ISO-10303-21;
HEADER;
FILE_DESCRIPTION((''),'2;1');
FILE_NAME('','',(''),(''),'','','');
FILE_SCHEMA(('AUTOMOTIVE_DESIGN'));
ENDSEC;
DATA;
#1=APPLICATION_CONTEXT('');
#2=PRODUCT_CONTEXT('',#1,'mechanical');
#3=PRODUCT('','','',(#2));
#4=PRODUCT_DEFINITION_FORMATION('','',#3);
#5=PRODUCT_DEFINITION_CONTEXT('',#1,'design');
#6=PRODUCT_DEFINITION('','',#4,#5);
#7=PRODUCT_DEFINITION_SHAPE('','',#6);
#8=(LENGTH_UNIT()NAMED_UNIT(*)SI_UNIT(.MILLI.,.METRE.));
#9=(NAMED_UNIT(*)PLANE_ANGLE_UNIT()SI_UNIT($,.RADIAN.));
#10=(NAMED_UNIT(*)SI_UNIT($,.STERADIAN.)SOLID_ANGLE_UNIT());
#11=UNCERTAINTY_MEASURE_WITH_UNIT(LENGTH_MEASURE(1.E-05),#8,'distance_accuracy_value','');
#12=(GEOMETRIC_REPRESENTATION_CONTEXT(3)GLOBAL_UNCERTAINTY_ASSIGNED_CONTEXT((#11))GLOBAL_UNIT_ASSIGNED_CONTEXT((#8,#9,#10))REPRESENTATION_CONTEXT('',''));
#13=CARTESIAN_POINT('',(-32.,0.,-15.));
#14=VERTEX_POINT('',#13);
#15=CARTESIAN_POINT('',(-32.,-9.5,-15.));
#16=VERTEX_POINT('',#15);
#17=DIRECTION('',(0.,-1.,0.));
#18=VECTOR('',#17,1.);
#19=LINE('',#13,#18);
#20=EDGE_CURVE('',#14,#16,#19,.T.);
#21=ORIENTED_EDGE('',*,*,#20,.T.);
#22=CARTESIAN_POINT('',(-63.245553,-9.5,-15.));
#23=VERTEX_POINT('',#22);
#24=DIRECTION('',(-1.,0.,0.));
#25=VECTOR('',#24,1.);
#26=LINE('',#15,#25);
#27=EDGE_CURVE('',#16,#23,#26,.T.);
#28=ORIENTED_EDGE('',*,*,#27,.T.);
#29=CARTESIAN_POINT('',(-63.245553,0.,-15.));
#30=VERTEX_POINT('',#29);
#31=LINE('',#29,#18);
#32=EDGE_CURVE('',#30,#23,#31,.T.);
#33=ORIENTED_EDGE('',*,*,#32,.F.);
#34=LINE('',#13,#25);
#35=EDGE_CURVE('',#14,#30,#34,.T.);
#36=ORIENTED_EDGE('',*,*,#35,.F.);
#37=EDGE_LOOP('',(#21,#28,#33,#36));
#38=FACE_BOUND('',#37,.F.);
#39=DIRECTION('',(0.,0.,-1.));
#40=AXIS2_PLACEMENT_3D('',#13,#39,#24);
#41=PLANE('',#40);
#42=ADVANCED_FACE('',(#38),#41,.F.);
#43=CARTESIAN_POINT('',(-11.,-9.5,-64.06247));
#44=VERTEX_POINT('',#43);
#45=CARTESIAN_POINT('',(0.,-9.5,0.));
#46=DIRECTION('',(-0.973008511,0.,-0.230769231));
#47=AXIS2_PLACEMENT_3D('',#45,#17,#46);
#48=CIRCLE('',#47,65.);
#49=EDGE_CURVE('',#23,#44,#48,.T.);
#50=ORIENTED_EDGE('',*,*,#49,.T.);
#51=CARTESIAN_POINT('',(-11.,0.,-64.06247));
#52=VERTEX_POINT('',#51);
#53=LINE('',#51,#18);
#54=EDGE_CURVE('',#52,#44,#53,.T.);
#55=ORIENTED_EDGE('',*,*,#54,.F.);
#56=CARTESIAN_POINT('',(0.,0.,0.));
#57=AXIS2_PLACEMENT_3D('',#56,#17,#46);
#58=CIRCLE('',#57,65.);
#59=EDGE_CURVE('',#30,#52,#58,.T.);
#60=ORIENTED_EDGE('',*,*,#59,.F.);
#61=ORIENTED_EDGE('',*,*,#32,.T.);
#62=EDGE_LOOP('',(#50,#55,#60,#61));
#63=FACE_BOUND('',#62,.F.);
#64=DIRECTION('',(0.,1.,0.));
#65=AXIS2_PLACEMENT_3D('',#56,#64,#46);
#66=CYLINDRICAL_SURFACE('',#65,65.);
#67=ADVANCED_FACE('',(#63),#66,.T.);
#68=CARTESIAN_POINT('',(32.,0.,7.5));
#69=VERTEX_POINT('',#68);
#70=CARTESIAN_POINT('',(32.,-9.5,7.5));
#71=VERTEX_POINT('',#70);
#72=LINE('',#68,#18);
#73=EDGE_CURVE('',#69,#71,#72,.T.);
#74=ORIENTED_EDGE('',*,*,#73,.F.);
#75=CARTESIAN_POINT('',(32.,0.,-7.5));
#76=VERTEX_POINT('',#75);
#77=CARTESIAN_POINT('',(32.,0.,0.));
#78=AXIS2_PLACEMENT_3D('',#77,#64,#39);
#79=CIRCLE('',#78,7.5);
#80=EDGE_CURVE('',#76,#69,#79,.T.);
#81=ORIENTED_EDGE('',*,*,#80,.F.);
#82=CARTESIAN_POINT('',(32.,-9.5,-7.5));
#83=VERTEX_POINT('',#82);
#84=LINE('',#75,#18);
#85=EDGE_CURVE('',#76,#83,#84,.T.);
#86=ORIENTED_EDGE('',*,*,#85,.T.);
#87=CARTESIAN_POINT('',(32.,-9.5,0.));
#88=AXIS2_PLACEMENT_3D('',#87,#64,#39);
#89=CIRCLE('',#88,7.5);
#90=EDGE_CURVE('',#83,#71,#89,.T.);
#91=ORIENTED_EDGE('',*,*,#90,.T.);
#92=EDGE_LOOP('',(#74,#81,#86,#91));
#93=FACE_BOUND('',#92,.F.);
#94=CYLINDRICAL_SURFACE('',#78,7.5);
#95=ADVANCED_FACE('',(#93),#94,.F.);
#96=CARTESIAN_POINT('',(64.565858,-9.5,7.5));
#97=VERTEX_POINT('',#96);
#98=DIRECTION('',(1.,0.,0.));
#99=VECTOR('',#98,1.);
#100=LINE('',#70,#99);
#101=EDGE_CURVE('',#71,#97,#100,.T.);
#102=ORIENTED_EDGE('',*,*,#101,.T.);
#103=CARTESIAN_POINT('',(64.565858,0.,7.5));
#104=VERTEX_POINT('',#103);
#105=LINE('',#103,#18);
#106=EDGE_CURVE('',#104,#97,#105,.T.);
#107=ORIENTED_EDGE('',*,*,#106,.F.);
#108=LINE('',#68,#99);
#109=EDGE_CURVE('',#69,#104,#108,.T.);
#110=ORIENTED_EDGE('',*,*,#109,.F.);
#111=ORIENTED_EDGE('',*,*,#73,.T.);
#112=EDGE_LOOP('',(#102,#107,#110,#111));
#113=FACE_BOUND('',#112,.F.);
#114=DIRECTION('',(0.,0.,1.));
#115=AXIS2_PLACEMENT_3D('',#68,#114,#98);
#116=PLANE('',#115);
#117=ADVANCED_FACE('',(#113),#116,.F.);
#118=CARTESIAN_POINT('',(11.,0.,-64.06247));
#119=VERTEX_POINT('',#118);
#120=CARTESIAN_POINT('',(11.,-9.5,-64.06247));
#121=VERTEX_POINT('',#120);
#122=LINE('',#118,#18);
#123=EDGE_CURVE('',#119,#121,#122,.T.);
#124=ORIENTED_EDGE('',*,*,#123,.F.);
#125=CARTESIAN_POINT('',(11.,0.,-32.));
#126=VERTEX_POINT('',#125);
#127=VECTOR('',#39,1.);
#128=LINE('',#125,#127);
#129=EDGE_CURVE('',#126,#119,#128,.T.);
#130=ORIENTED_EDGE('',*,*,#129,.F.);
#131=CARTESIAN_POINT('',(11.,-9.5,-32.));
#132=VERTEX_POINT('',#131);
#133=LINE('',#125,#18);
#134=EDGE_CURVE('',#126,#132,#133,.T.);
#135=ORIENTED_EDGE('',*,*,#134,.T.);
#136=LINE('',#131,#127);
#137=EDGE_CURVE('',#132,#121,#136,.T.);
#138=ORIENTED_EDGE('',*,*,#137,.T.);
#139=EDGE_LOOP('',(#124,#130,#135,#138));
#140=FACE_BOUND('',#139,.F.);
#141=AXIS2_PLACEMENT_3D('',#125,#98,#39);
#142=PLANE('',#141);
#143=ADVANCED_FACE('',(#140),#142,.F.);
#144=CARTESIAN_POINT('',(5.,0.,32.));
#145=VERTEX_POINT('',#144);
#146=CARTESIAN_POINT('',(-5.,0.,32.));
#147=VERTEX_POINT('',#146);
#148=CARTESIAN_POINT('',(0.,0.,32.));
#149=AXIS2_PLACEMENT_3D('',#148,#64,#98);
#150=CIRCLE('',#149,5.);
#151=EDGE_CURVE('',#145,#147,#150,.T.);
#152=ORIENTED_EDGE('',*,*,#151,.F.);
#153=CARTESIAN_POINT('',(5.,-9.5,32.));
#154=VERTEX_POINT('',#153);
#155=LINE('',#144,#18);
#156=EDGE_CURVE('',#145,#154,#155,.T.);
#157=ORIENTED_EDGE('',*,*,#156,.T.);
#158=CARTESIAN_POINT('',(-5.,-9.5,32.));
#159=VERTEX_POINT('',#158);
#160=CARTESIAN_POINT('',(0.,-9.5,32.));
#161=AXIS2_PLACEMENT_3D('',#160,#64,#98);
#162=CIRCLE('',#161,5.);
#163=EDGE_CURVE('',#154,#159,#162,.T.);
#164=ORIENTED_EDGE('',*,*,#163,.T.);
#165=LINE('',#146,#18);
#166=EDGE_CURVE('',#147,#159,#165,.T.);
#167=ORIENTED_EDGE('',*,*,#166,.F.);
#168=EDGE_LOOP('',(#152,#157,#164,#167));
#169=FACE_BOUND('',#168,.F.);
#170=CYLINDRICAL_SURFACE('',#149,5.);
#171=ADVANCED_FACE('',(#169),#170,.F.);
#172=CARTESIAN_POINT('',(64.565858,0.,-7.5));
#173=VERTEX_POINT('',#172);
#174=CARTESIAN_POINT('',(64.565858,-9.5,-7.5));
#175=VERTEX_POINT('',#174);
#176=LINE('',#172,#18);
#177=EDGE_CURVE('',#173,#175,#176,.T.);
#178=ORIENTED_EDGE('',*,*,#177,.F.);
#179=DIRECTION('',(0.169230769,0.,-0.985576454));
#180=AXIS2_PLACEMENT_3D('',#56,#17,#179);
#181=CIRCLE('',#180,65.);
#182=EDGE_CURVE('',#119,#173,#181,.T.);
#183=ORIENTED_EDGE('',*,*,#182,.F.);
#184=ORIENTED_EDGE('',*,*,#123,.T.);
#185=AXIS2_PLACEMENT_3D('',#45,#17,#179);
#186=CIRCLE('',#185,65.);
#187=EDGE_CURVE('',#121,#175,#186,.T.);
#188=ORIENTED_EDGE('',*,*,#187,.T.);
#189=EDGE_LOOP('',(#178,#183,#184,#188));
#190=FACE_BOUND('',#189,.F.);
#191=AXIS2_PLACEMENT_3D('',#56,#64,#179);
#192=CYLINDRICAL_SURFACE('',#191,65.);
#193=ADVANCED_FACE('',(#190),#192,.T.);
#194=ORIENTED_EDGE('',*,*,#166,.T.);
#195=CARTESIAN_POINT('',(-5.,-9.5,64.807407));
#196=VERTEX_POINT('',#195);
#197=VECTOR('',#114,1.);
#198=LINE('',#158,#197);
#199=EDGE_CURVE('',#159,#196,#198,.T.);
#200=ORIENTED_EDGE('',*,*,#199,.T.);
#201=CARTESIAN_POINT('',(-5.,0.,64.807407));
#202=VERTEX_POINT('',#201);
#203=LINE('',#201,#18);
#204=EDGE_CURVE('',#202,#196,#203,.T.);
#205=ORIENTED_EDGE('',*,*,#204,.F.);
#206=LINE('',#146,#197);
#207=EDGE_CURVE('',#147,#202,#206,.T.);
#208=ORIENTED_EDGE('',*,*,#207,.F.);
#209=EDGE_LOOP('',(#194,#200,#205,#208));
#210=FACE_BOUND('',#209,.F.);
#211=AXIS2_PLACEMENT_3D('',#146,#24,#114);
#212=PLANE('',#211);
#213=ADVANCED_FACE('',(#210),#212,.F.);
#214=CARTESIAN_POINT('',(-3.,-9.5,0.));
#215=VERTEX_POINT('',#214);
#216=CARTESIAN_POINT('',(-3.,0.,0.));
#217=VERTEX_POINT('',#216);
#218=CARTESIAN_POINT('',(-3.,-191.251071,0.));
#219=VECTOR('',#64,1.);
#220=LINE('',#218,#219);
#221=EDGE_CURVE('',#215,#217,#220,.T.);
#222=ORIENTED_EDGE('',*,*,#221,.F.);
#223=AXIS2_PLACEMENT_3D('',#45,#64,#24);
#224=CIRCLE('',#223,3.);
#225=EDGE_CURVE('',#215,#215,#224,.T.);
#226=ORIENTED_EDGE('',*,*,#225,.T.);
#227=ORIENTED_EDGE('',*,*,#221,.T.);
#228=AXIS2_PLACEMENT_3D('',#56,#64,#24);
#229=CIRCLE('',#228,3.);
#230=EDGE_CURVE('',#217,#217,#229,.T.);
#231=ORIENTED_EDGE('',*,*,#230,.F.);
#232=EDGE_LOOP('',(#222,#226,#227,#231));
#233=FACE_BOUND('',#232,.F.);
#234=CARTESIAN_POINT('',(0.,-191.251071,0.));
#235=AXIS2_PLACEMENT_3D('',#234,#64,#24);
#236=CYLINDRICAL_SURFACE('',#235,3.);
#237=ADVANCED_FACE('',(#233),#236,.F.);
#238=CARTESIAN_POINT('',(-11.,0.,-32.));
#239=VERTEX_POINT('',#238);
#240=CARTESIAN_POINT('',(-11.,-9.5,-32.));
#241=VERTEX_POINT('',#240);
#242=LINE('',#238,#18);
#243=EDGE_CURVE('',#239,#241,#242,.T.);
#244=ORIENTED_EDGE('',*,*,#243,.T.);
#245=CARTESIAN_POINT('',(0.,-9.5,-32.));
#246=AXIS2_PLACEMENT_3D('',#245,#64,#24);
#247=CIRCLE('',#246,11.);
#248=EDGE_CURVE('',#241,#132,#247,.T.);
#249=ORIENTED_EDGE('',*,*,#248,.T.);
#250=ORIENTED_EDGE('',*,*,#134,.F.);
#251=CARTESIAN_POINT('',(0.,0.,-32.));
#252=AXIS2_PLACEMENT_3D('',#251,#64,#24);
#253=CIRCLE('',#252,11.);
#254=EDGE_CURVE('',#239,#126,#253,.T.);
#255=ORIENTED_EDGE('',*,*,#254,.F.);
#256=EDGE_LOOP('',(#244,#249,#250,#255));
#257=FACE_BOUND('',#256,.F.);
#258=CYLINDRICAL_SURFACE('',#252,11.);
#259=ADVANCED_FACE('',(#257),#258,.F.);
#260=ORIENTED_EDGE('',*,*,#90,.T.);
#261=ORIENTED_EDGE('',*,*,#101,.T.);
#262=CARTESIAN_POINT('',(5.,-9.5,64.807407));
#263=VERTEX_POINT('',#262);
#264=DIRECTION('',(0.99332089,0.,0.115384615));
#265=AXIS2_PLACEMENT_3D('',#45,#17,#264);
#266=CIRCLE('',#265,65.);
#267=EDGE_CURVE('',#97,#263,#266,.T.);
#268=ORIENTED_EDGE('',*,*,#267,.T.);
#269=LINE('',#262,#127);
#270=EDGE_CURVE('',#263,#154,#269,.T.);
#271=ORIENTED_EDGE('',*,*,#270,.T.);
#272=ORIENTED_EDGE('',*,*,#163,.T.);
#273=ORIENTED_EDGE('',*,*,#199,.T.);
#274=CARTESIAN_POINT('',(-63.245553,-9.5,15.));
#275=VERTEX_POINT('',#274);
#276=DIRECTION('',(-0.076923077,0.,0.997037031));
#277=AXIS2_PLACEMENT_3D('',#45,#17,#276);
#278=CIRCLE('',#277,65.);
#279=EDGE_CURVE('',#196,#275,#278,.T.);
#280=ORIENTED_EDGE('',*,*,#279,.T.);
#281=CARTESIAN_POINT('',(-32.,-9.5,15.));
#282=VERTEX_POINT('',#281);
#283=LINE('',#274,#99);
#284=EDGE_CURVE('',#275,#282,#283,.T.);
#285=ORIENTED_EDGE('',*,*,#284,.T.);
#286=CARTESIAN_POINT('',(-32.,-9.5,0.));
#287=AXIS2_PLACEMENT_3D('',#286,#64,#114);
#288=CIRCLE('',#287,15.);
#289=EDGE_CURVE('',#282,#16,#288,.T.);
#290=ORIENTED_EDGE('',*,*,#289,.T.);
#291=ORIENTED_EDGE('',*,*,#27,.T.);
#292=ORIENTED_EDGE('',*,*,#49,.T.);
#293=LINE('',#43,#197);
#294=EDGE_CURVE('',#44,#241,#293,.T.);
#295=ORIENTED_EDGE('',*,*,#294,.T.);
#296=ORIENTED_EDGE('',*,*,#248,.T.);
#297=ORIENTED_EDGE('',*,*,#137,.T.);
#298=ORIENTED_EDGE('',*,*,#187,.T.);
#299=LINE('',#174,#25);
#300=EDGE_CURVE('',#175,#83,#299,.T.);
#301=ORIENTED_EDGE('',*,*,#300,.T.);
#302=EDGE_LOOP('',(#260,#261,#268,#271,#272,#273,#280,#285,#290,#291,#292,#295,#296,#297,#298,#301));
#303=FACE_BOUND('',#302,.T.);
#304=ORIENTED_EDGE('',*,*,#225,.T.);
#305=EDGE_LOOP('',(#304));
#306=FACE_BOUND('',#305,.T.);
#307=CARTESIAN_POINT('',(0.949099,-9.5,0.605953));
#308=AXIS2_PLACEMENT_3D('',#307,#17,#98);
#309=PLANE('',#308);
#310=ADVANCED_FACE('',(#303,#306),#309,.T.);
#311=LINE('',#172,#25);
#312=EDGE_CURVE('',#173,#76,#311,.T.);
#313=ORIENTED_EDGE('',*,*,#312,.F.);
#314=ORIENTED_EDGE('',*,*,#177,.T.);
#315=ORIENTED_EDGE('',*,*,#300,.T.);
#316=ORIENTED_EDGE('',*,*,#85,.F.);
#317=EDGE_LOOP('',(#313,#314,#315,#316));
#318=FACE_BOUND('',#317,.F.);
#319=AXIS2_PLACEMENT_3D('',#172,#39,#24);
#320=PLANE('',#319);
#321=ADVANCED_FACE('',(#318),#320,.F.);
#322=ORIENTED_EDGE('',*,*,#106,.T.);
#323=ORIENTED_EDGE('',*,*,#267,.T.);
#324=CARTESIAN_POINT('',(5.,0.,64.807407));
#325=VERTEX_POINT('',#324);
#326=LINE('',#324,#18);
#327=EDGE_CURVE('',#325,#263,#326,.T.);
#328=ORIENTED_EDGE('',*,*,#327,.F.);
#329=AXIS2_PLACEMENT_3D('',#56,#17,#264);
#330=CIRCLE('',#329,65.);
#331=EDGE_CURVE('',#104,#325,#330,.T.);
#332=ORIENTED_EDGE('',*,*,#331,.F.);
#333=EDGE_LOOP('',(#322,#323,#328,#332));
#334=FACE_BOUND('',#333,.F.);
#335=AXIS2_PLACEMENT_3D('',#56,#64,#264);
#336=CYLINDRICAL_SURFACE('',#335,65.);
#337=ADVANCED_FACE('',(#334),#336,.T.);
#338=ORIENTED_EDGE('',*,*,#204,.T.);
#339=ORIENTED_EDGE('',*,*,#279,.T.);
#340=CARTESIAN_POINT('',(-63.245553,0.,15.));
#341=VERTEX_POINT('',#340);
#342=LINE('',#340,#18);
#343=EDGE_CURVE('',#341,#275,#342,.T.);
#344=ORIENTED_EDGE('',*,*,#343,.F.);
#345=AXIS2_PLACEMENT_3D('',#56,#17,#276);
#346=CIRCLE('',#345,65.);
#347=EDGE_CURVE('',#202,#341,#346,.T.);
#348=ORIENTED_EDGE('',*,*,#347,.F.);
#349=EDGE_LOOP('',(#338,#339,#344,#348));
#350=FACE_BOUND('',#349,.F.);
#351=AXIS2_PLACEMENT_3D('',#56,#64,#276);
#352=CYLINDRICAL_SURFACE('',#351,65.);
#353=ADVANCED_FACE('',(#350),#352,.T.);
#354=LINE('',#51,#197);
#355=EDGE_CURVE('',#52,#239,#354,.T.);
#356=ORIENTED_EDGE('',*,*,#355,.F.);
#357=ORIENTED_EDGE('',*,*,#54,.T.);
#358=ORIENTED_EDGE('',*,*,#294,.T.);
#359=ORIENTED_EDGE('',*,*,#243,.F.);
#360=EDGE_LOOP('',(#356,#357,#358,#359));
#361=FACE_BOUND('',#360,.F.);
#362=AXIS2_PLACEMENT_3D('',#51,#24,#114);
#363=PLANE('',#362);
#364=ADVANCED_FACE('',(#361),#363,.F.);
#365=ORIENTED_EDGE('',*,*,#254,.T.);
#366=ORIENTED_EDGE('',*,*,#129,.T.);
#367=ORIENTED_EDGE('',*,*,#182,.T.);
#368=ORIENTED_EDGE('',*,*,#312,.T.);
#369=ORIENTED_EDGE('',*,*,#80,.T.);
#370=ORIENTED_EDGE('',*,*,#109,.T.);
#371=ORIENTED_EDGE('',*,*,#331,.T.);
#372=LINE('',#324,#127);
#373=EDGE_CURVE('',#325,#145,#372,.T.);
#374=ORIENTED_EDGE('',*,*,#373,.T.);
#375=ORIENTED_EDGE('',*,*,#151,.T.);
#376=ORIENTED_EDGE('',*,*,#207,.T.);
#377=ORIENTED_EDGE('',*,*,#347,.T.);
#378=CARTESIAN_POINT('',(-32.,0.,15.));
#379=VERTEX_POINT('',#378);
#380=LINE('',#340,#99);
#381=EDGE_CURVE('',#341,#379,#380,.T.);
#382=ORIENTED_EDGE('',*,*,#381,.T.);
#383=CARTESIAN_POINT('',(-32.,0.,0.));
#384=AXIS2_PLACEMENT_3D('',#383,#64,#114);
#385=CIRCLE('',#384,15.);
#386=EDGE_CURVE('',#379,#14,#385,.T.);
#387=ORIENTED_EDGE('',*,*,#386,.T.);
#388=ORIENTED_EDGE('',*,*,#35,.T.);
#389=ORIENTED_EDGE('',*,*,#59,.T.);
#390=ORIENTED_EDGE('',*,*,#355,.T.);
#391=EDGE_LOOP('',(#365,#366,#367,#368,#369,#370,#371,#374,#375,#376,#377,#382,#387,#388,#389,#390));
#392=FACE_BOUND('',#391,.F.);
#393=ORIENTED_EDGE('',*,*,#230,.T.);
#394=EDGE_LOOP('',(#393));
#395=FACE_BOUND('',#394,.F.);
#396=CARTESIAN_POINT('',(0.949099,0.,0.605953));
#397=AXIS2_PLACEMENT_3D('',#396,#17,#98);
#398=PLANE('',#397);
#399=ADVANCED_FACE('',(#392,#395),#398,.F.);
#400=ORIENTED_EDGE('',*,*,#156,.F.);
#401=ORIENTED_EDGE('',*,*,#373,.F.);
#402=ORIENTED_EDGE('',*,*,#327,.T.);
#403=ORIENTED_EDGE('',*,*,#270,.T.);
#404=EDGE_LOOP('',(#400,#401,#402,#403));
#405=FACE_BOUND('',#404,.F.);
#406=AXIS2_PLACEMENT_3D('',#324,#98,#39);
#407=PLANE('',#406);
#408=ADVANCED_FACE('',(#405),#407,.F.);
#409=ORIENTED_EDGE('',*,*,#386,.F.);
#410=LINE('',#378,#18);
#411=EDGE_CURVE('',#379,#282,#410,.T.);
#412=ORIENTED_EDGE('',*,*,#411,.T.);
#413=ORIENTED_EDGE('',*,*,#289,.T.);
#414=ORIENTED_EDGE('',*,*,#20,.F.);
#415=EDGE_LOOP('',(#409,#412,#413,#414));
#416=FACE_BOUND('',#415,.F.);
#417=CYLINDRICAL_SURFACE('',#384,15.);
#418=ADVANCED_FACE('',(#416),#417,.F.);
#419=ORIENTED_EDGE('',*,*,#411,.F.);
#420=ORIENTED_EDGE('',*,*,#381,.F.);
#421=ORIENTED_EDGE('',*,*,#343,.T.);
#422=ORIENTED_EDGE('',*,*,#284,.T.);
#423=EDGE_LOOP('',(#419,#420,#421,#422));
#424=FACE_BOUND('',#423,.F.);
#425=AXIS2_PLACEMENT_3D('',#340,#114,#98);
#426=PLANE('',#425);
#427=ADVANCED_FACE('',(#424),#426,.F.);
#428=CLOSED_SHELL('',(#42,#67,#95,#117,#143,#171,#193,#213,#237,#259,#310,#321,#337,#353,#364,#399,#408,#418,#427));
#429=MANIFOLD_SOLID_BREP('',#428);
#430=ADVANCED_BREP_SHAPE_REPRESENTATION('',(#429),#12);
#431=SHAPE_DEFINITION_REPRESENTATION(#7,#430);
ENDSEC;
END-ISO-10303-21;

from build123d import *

# Parameters (mm, degrees)
F1_DEPTH = 9.5
F3_D     = 6


with BuildPart() as f1:
    # F0 (on Front) → F1 (new body)
    with BuildSketch(Plane.XZ):
        with BuildLine():
            Line((11, -32), (11, -64.0624695122))
            ThreePointArc((11, -64.0624695122), (47.1951052283, -44.6947652695), (64.5658578507, -7.5))
            Line((64.5658578507, -7.5), (32, -7.5))
            ThreePointArc((32, -7.5), (24.5, 0), (32, 7.5))
            Line((32, 7.5), (64.5658578507, 7.5))
            ThreePointArc((64.5658578507, 7.5), (45.0653621802, 46.8413613334), (5, 64.8074069841))
            Line((5, 64.8074069841), (5, 32))
            ThreePointArc((5, 32), (0, 27), (-5, 32))
            Line((-5, 32), (-5, 64.8074069841))
            ThreePointArc((-5, 64.8074069841), (-42.2440330772, 49.4008266062), (-63.2455532034, 15))
            Line((-63.2455532034, 15), (-32, 15))
            ThreePointArc((-32, 15), (-17, 0), (-32, -15))
            Line((-32, -15), (-63.2455532034, -15))
            ThreePointArc((-63.2455532034, -15), (-44.4958652155, -47.3826759346), (-11, -64.0624695122))
            Line((-11, -64.0624695122), (-11, -32))
            ThreePointArc((-11, -32), (0, -21), (11, -32))
        make_face()
    extrude(amount=F1_DEPTH)

    # F3 (through all)
    with Locations(Plane.XZ.offset(9.5)):
        with Locations((0, 0)):
            Hole(F3_D / 2)


solid = f1.part
